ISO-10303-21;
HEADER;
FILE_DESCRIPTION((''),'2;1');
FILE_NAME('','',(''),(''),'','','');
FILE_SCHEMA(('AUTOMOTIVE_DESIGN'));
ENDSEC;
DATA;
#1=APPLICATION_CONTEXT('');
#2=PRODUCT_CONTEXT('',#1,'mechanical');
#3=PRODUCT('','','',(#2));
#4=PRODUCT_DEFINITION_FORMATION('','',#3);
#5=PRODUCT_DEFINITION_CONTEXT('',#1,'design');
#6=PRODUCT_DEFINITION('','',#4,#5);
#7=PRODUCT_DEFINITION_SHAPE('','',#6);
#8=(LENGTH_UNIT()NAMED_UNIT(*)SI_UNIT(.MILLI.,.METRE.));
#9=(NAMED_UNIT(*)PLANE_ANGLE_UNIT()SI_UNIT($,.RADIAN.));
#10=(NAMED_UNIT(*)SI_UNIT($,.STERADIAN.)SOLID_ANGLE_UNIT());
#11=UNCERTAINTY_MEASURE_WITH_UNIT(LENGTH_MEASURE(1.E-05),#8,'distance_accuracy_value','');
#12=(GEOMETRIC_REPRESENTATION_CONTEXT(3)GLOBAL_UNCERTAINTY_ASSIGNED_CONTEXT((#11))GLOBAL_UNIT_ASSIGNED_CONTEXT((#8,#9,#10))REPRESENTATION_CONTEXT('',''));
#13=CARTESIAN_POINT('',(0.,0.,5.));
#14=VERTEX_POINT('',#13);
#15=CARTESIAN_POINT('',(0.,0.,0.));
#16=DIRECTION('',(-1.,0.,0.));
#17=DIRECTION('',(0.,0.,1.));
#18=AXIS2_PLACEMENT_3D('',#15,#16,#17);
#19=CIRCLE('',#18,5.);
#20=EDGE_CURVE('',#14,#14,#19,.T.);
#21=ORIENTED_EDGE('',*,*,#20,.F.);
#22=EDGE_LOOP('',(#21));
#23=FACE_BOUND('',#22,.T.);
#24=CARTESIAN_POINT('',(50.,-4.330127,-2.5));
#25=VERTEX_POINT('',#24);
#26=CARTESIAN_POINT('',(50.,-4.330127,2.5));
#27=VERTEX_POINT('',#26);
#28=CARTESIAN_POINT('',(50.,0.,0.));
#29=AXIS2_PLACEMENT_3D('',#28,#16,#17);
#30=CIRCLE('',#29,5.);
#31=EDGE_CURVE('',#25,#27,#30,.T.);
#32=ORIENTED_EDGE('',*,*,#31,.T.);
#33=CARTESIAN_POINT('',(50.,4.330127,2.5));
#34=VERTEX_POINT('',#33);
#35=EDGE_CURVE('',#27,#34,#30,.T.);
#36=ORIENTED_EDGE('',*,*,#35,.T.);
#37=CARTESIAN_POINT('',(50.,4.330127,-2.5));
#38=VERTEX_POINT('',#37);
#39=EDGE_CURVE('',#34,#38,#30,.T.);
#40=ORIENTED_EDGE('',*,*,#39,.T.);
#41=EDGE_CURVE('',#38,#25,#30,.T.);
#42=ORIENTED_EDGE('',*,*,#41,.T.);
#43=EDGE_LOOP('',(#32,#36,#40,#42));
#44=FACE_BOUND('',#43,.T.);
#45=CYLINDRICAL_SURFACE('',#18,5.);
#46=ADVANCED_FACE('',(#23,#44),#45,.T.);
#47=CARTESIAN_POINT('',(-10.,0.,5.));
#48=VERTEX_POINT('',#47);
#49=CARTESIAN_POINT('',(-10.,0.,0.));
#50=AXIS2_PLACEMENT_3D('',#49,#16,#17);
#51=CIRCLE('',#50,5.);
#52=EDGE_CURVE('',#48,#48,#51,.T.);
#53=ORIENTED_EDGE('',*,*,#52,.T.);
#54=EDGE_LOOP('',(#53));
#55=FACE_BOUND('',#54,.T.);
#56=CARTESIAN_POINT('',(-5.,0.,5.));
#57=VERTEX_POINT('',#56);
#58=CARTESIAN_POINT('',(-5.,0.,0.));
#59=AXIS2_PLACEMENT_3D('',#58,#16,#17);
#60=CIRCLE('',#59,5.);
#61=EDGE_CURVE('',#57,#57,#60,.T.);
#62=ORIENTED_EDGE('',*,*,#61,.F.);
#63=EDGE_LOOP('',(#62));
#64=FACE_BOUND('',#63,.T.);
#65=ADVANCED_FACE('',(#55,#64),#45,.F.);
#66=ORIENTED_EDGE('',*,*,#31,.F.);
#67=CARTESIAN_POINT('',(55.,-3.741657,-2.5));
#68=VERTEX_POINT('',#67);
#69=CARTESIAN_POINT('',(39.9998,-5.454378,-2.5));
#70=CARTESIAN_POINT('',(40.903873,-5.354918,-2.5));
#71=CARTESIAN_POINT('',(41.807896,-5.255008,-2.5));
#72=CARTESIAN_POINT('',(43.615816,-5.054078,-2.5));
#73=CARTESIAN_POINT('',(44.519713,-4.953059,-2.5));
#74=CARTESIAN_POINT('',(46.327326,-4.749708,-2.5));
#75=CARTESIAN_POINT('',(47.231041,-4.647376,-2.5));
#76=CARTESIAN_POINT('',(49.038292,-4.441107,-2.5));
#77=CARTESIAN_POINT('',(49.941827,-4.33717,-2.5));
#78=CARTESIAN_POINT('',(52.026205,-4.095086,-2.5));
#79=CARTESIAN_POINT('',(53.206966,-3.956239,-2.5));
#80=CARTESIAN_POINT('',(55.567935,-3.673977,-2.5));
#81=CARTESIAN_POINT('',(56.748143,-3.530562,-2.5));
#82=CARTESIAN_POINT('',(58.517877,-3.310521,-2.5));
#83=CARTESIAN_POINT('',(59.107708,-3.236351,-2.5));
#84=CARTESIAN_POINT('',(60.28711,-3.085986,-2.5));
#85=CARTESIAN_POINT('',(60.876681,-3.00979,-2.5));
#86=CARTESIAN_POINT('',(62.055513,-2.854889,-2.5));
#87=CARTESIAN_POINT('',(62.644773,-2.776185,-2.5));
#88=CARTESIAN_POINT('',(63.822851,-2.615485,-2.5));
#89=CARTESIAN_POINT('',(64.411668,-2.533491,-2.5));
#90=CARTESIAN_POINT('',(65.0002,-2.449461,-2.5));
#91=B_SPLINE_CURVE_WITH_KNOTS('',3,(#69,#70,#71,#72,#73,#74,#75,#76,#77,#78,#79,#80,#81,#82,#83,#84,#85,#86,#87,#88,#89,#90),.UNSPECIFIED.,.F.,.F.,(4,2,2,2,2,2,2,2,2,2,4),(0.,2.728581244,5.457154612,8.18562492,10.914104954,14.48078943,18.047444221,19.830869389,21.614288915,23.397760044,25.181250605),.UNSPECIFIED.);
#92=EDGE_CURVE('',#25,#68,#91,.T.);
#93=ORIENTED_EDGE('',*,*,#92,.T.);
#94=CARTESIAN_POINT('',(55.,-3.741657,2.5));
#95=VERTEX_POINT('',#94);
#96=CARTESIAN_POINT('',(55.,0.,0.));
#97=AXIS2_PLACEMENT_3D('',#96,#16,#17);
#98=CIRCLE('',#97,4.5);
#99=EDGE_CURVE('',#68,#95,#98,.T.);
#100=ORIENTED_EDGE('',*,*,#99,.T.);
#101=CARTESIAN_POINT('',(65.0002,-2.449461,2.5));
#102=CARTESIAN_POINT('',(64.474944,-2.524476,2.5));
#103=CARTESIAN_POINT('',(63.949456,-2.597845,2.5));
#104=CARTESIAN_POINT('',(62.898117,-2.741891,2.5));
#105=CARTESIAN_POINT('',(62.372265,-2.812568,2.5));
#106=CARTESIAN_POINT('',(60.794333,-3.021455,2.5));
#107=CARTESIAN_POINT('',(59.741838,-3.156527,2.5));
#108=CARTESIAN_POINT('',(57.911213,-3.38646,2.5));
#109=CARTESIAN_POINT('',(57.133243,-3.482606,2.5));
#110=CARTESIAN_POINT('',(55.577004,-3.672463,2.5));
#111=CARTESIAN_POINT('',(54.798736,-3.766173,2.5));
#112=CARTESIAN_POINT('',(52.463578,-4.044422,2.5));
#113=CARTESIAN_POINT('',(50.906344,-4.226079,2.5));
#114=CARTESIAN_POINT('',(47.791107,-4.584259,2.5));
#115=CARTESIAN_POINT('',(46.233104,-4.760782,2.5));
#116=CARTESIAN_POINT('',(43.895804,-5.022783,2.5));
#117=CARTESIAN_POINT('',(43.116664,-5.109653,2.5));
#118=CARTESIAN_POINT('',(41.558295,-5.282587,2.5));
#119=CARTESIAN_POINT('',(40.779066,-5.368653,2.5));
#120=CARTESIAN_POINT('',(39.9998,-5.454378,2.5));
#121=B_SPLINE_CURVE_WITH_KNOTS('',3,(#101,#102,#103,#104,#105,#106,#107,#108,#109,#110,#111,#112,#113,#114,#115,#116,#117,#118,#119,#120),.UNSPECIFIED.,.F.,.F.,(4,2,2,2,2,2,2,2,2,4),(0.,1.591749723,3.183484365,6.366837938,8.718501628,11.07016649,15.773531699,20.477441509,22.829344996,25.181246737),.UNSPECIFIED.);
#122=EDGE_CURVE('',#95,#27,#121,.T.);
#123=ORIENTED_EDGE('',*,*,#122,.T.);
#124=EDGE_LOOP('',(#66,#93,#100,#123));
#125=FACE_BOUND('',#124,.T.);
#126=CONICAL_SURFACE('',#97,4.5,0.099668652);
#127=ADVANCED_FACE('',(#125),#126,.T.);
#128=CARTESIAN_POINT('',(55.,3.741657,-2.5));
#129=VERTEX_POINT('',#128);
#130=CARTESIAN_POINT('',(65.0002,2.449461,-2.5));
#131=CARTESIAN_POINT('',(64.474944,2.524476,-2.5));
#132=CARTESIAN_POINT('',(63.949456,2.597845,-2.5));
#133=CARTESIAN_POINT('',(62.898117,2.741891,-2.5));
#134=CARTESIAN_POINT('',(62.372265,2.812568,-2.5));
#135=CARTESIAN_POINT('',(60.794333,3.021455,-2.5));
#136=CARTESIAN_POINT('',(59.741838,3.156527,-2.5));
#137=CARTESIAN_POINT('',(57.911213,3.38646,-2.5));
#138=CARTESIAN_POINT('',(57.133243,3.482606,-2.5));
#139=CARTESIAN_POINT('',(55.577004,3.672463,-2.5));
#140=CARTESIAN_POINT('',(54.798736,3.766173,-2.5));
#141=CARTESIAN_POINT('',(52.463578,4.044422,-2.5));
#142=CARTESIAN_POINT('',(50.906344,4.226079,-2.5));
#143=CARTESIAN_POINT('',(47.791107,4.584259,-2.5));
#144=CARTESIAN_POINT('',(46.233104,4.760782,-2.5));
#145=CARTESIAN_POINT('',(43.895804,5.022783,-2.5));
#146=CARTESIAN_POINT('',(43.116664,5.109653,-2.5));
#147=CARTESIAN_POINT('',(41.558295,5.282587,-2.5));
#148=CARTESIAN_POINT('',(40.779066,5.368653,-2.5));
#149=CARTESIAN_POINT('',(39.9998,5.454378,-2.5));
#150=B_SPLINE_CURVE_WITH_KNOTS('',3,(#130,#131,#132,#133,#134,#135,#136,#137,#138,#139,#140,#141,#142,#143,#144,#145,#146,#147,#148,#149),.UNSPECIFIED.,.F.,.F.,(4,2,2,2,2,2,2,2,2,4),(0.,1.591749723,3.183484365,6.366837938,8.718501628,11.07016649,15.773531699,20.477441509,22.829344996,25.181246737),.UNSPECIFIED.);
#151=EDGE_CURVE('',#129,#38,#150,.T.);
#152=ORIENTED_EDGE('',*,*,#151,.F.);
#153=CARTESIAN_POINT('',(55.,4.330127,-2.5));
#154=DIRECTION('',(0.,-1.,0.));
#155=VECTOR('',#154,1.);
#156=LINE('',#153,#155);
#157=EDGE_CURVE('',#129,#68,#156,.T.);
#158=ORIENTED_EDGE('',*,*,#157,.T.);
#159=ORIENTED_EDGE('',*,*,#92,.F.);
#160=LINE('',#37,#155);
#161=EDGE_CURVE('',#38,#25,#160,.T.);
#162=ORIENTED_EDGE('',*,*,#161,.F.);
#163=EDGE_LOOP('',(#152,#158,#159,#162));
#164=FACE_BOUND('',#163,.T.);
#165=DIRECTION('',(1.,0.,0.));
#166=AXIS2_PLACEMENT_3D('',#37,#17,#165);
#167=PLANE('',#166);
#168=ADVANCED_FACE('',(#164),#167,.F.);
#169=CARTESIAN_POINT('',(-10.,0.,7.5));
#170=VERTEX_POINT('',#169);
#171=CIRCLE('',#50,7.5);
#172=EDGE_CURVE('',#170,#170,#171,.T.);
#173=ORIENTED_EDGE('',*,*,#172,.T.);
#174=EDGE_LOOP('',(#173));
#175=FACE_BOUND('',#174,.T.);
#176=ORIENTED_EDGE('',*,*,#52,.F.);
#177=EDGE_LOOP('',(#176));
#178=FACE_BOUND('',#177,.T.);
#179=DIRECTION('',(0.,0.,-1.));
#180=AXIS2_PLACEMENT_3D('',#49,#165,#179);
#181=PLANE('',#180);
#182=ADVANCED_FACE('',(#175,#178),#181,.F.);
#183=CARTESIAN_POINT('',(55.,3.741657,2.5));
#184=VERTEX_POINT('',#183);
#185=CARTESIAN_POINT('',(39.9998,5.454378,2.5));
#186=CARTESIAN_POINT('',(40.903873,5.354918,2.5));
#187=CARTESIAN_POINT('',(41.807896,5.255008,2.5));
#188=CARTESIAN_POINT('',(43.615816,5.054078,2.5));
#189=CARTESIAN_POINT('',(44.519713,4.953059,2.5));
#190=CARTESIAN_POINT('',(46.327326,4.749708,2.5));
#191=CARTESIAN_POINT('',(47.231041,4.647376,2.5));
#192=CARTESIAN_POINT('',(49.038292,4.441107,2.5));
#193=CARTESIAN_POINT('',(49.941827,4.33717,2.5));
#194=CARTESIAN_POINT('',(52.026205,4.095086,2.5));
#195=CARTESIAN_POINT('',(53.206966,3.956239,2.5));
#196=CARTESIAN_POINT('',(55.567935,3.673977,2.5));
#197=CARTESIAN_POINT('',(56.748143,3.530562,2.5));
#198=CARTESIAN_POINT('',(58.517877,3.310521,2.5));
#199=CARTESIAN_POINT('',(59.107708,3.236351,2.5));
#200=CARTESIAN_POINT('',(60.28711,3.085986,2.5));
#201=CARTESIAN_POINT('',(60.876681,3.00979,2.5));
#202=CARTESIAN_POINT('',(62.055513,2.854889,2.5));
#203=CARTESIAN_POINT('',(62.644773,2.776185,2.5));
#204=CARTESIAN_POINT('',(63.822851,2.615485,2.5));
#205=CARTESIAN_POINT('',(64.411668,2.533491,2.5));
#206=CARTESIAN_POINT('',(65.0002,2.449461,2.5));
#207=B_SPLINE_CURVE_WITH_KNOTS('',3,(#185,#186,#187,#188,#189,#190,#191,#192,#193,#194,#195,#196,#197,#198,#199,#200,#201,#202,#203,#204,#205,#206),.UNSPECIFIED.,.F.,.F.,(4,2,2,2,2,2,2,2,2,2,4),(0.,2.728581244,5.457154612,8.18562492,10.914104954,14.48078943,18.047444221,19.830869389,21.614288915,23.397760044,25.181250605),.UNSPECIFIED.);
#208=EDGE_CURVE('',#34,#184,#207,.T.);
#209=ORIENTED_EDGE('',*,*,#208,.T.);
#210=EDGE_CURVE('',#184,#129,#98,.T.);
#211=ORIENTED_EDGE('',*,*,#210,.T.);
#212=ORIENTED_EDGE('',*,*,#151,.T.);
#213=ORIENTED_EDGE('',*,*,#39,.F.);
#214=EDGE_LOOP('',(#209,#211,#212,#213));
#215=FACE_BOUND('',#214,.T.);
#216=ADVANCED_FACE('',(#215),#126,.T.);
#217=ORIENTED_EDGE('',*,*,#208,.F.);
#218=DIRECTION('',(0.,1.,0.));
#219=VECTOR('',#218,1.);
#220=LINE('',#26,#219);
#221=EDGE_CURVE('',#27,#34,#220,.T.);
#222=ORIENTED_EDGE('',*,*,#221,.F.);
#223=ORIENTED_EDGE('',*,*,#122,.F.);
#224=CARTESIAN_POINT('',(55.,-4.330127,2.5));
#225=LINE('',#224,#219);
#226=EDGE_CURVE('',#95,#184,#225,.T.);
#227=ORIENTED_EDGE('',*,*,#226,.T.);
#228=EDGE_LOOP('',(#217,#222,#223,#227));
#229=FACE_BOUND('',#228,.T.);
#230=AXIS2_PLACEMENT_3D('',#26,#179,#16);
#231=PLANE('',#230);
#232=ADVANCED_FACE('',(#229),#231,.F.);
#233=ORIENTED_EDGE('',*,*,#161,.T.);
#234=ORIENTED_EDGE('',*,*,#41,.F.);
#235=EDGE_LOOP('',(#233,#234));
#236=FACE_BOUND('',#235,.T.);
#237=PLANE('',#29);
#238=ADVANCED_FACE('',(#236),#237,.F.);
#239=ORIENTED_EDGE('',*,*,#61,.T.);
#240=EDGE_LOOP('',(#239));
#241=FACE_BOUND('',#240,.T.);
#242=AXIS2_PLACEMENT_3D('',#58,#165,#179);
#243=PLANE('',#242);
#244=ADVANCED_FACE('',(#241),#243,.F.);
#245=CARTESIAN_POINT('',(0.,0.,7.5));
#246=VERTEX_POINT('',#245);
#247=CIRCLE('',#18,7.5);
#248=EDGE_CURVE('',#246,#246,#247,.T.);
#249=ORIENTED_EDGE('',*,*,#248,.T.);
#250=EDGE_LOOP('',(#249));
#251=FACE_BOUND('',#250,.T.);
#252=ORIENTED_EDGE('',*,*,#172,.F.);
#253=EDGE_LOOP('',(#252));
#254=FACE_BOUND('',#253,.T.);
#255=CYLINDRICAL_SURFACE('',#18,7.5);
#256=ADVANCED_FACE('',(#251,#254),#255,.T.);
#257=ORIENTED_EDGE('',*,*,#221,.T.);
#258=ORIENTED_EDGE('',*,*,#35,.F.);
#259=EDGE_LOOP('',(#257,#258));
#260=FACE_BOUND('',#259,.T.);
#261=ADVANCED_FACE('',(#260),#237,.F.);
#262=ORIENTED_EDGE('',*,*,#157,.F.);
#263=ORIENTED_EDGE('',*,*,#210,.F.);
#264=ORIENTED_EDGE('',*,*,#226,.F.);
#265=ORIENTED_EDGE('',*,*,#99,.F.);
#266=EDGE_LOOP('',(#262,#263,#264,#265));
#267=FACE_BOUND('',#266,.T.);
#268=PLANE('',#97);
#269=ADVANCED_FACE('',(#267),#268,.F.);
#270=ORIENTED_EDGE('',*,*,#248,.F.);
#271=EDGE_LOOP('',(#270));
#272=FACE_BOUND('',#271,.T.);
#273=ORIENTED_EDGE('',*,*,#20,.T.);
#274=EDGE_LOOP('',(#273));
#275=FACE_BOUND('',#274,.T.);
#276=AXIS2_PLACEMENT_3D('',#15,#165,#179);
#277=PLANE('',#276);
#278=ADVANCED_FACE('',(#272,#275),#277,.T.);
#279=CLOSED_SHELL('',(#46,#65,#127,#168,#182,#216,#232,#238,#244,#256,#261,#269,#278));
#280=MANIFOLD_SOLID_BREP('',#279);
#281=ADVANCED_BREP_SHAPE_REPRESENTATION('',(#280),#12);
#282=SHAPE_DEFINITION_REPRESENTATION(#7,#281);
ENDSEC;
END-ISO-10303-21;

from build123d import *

# Parameters (mm, degrees)
SKETCH2_W          = 2.5
SKETCH2_H          = 8.660254038
CUT_EXTRUDE1_DEPTH = 5


with BuildPart() as part:
    # Sketch1 → Revolve1 (revolve)
    with BuildSketch(Plane.XY):
        Polygon((-5, 5), (-5, 0), (0, 0), (0, 5), (0, 7.5), (-10, 7.5), (-10, 5), align=None)
        Polygon((50, 5), (0, 5), (0, 0), (55, 0), (55, 4.5), align=None)
    revolve(axis=Axis((0, 0, 0), (1, 0, 0)))

    # Sketch2 → Cut-Extrude1 (cut)
    with BuildSketch(Plane(origin=(55, 0, 0), x_dir=(0, 0, -1), z_dir=(1, 0, 0))):
        with Locations((-3.75, 0)):
            Rectangle(SKETCH2_W, SKETCH2_H)
        with Locations((3.75, 0)):
            Rectangle(SKETCH2_W, SKETCH2_H)
    extrude(amount=-CUT_EXTRUDE1_DEPTH, mode=Mode.SUBTRACT)


solid = part.part
